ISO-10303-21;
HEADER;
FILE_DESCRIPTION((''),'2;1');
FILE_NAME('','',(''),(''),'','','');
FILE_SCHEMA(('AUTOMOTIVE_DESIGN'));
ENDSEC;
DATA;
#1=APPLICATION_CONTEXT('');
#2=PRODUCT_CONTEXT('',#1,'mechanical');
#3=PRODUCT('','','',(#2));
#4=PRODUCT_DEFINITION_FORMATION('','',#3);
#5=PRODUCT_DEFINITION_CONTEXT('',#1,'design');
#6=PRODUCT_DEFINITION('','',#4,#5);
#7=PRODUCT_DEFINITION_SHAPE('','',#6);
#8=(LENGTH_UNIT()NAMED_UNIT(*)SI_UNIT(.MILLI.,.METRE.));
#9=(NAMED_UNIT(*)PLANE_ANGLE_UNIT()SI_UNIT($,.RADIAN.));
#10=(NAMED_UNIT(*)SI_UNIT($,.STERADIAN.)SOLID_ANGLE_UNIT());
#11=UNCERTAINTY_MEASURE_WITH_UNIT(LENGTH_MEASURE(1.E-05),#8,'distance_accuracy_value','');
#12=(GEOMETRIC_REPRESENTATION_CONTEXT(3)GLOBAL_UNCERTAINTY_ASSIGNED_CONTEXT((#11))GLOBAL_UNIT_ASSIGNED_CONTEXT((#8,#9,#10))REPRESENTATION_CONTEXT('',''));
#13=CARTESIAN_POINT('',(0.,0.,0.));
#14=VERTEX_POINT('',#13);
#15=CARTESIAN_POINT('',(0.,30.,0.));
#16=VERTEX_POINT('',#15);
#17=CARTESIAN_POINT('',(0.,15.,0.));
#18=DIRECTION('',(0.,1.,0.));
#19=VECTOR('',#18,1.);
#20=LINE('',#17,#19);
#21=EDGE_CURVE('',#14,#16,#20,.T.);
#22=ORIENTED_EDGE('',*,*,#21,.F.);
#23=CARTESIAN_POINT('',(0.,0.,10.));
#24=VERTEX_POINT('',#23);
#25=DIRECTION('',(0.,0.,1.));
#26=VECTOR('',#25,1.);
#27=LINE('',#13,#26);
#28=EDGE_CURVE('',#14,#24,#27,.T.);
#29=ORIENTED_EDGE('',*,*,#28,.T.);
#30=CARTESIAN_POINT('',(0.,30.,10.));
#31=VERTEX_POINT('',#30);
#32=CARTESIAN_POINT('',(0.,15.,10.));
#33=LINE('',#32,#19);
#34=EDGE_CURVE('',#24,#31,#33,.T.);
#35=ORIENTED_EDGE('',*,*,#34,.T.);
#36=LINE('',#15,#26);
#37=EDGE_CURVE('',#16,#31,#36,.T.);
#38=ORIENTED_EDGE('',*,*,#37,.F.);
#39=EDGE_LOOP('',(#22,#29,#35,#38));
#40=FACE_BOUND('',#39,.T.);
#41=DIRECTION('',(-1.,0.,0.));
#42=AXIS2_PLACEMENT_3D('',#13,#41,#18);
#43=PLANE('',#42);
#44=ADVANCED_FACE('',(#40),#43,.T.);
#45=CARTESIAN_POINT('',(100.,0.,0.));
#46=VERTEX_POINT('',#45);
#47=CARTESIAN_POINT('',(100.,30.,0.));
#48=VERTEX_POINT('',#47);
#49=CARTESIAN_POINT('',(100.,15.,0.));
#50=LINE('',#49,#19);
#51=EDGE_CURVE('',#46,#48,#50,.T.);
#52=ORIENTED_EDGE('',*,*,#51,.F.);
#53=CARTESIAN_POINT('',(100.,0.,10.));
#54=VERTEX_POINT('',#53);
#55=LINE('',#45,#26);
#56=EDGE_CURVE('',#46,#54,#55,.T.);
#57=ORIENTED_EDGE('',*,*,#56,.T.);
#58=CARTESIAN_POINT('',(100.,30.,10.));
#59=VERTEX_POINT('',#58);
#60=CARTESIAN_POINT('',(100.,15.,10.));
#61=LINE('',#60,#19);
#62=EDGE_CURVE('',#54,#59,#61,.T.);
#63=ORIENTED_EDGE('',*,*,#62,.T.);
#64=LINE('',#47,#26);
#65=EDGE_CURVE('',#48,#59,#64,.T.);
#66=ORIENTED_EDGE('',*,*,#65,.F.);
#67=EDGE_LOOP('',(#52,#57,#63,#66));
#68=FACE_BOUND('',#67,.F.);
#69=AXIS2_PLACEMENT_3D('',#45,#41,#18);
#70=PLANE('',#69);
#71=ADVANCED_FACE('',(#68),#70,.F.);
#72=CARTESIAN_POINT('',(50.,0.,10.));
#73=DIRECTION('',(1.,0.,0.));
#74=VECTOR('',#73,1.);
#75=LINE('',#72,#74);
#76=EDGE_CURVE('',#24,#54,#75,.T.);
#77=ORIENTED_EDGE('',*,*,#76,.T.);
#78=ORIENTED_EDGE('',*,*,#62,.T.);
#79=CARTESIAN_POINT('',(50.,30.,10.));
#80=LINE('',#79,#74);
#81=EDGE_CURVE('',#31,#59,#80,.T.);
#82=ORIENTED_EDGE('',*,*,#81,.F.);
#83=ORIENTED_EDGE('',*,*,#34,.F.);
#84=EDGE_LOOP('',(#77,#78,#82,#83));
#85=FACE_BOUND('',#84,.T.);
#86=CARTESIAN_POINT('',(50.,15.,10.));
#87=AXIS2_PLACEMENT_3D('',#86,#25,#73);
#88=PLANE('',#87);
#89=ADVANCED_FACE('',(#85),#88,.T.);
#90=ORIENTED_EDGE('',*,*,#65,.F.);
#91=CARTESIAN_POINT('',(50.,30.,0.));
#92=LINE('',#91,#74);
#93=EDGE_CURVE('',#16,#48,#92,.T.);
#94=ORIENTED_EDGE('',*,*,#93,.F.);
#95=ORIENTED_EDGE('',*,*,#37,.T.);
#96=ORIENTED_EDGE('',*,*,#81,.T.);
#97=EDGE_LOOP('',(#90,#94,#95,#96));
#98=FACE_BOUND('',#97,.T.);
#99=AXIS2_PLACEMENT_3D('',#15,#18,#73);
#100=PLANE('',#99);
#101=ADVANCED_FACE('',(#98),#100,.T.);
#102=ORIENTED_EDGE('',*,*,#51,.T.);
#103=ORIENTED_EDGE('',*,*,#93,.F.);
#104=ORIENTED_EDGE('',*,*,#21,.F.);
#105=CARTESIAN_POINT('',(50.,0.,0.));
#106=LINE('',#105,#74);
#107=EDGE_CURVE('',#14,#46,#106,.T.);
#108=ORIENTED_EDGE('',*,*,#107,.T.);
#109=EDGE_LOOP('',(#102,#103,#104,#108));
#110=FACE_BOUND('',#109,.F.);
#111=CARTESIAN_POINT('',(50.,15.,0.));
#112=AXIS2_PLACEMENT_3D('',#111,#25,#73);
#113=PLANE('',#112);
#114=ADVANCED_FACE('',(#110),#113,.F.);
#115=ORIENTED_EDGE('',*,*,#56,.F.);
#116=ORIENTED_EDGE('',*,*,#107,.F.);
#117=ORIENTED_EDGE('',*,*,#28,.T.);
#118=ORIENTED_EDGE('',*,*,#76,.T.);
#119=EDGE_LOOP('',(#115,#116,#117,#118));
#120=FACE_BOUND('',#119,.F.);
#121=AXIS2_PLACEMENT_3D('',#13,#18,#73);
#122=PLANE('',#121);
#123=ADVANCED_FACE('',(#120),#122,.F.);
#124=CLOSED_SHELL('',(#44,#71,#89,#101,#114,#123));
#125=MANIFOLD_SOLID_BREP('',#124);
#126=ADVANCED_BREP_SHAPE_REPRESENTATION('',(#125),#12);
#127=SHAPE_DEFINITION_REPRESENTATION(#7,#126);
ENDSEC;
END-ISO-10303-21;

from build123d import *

# Parameters (mm, degrees)
BEAM_W     = 100
BEAM_H     = 30
BEAM_DEPTH = 10


with BuildPart() as part:
    # Beam → Beam (new body)
    with BuildSketch(Plane.XY):
        with Locations((50, 15)):
            Rectangle(BEAM_W, BEAM_H)
    extrude(amount=BEAM_DEPTH)


solid = part.part
